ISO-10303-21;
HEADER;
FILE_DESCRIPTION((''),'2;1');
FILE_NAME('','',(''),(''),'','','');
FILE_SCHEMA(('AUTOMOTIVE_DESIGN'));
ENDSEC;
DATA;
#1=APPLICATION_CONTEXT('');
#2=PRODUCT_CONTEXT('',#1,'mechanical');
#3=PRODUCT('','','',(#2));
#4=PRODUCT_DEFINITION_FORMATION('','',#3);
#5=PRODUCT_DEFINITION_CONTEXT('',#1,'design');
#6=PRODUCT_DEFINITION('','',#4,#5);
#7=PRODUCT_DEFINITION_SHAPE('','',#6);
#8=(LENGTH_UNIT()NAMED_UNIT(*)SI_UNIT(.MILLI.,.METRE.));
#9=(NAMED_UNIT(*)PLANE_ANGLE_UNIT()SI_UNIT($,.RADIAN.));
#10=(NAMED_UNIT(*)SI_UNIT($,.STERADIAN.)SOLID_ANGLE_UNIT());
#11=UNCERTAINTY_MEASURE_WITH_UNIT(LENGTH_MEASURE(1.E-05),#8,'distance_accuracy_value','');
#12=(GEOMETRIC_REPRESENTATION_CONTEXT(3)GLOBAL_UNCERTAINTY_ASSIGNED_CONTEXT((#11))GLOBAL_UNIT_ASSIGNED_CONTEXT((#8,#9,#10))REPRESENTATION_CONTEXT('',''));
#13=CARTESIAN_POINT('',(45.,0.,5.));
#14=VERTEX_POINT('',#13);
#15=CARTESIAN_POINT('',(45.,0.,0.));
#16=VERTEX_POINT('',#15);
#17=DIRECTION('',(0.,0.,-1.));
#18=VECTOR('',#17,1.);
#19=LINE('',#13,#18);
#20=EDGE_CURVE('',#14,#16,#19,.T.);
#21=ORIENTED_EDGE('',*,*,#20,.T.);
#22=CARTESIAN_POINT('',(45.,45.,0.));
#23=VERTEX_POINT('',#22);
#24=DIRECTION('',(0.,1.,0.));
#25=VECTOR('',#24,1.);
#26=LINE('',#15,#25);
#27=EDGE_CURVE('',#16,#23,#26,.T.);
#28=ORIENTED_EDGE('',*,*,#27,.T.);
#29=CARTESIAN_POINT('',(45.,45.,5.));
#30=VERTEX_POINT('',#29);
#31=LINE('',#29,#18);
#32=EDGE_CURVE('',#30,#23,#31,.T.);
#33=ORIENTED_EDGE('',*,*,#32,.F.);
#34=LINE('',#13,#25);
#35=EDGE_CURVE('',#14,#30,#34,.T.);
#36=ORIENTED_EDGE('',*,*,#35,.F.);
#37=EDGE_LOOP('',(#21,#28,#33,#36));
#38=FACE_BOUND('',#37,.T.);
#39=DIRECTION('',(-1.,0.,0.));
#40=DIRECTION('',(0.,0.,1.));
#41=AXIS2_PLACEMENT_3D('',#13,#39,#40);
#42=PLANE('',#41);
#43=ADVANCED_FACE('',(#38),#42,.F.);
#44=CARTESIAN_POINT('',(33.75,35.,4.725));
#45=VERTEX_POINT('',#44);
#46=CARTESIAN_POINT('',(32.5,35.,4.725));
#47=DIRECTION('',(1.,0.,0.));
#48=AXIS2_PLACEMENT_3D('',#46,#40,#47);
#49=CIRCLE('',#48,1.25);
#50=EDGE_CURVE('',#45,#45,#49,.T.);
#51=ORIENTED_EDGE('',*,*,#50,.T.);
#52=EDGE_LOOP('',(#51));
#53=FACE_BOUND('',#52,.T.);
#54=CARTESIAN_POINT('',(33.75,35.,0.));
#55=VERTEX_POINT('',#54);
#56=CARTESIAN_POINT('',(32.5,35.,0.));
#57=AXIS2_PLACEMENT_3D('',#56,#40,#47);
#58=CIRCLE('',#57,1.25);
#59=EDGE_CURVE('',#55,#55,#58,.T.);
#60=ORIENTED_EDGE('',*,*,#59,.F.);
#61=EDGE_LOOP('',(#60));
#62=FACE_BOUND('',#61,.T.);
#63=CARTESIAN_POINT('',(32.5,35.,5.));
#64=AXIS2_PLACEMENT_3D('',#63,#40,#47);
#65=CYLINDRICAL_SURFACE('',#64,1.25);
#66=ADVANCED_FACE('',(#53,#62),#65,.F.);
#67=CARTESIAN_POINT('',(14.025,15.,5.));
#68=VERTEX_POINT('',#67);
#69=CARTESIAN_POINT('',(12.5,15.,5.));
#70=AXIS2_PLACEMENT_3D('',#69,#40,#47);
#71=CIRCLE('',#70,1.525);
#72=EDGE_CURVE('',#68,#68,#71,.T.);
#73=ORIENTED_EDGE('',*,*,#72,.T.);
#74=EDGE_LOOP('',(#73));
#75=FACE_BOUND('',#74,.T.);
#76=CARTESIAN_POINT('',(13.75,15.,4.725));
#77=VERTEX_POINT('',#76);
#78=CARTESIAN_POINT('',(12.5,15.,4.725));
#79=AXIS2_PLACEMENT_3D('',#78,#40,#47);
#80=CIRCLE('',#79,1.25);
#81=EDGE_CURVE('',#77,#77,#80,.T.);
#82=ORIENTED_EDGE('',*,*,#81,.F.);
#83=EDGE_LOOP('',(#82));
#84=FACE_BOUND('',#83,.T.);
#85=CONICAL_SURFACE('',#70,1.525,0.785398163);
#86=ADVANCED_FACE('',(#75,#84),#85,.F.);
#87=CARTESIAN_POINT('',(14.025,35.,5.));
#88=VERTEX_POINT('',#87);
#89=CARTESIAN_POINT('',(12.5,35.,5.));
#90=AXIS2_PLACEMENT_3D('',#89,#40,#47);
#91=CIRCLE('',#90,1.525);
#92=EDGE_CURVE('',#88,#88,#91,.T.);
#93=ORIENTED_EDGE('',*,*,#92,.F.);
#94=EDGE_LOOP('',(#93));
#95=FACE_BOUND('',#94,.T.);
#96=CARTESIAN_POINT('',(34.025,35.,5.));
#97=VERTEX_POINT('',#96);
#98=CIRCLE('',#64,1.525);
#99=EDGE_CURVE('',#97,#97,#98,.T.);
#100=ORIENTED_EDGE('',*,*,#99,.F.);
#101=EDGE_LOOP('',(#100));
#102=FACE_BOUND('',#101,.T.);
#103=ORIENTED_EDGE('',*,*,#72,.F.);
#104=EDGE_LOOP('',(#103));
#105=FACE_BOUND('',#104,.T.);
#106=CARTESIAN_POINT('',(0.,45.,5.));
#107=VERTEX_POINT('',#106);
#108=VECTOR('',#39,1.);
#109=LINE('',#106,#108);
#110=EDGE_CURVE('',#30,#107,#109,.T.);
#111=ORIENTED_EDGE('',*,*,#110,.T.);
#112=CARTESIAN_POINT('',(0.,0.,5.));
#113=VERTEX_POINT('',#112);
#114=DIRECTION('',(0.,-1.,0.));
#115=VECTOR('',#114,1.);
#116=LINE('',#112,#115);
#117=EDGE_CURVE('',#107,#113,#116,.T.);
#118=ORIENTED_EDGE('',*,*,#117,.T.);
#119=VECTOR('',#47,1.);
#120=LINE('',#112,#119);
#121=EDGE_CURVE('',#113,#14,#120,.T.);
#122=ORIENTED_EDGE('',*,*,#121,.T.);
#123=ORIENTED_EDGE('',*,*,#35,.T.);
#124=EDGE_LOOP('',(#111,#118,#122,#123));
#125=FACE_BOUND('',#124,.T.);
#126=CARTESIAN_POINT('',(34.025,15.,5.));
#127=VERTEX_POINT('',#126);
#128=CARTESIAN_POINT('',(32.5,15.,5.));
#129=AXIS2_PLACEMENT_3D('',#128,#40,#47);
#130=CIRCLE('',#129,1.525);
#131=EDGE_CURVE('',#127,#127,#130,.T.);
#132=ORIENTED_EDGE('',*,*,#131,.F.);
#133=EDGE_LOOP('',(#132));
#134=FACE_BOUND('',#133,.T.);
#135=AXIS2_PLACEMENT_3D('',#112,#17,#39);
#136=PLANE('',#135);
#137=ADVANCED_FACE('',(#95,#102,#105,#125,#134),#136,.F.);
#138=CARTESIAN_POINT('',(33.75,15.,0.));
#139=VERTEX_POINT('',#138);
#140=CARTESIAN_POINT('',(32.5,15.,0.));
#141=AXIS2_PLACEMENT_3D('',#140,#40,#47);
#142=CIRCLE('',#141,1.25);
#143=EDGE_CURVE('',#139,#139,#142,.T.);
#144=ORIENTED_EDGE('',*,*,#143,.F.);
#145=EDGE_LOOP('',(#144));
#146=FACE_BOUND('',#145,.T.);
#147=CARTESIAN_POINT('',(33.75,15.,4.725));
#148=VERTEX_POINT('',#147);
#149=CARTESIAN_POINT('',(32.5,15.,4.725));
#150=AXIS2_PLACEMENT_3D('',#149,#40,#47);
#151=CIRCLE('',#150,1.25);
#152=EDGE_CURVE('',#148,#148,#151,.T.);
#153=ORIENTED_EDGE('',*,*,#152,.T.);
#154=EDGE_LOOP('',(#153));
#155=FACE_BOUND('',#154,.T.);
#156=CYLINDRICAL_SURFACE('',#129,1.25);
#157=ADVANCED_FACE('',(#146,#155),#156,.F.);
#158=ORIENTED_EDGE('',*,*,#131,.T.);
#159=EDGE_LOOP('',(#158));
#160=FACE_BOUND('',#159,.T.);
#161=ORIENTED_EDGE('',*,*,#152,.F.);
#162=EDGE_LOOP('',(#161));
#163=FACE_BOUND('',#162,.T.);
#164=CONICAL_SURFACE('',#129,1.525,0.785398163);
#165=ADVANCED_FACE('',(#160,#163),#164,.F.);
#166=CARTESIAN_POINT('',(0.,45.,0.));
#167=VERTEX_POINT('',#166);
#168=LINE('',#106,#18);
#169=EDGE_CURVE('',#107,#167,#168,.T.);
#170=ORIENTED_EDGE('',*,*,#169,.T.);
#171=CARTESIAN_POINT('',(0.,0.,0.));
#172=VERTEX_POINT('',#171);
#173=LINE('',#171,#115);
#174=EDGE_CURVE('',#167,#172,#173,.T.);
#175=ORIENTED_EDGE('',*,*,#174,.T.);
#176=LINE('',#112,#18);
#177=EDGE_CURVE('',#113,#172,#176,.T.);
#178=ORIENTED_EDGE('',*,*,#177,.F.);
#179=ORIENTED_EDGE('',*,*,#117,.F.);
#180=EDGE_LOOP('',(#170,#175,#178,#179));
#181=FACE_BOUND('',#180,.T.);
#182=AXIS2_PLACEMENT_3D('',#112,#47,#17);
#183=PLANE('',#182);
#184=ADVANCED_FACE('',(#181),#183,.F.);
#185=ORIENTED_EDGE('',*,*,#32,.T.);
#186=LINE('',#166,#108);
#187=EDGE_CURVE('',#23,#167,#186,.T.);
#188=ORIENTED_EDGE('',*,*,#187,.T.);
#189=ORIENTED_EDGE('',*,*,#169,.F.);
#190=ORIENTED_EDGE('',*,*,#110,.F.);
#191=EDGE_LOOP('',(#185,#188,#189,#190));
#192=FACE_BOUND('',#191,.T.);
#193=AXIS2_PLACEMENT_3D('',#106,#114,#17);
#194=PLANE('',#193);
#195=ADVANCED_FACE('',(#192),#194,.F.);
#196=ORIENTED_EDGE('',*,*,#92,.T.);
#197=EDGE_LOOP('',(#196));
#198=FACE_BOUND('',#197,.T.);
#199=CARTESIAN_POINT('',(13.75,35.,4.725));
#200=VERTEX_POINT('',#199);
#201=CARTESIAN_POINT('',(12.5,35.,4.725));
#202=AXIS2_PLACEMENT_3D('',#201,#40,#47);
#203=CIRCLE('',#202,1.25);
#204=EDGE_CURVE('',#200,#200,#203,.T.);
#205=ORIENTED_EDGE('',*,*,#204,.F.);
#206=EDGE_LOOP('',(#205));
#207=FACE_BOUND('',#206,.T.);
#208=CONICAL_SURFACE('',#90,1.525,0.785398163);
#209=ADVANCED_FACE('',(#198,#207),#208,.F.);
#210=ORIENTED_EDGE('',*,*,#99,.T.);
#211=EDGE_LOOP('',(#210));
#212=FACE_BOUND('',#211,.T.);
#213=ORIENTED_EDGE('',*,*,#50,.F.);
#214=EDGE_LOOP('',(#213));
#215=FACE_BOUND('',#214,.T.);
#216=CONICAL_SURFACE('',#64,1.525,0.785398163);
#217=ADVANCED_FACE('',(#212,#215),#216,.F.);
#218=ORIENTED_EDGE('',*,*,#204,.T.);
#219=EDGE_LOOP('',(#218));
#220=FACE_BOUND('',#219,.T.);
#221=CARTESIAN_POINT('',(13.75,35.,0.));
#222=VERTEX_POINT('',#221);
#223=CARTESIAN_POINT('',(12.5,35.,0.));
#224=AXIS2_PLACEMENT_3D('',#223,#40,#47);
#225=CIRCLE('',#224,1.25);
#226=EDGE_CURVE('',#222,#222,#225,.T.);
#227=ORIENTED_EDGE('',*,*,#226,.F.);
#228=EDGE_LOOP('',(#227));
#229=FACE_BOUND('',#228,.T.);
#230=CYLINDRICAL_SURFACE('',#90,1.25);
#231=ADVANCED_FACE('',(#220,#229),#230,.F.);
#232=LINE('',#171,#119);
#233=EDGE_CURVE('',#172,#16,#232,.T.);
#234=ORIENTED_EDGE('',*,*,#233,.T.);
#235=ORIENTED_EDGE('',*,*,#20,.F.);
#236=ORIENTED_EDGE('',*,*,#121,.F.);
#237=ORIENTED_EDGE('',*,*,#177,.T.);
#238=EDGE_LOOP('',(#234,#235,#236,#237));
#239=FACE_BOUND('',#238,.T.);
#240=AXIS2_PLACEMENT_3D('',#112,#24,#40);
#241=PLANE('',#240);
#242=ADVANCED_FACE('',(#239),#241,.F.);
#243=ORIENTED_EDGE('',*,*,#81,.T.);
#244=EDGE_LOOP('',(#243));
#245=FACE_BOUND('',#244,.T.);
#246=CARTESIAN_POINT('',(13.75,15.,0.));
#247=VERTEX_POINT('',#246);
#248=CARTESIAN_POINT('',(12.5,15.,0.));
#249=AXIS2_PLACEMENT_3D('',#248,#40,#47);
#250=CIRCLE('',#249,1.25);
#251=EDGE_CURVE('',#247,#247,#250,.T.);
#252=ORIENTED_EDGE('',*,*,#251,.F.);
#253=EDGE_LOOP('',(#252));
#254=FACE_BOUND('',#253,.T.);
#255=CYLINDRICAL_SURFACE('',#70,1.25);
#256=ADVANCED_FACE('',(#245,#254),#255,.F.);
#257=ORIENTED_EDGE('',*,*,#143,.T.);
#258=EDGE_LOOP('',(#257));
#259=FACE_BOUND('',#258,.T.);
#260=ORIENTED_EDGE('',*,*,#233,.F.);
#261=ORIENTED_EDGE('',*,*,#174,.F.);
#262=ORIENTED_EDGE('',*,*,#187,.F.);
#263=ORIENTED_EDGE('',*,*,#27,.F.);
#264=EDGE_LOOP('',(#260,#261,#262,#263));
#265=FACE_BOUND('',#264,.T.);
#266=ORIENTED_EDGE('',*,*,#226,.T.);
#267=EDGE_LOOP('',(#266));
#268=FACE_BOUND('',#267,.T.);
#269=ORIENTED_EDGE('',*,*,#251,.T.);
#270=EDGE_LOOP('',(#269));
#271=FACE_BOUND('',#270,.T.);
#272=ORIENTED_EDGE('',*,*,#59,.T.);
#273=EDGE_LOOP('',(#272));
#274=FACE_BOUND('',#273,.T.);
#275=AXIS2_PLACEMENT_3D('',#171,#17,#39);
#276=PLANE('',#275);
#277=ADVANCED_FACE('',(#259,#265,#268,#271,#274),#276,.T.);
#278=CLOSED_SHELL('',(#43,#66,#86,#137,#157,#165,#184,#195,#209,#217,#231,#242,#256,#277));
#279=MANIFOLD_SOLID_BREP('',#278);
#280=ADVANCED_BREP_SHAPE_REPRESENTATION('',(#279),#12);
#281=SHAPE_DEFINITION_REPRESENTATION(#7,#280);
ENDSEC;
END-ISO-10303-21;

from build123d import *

# Parameters (mm, degrees)
SKETCH_1_W                   = 45
SKETCH_1_H                   = 45
EXTRUDE_1_DEPTH              = 5
HOLE_WIZARD_M3_3_D           = 2.5
HOLE_WIZARD_M3_3_CSINK_D     = 3.05
HOLE_WIZARD_M3_3_CSINK_ANGLE = 90


with BuildPart() as part:
    # 草图1 → 凸台-拉伸1 (new body)
    with BuildSketch(Plane.XY):
        with Locations((22.5, 22.5)):
            Rectangle(SKETCH_1_W, SKETCH_1_H)
    extrude(amount=EXTRUDE_1_DEPTH)

    # M3 螺纹孔3 (through all)
    with Locations(Plane.XY.offset(5)):
        with Locations((12.5, 35), (32.5, 35), (32.5, 15), (12.5, 15)):
            CounterSinkHole(HOLE_WIZARD_M3_3_D / 2, HOLE_WIZARD_M3_3_CSINK_D / 2, counter_sink_angle=HOLE_WIZARD_M3_3_CSINK_ANGLE)


solid = part.part
